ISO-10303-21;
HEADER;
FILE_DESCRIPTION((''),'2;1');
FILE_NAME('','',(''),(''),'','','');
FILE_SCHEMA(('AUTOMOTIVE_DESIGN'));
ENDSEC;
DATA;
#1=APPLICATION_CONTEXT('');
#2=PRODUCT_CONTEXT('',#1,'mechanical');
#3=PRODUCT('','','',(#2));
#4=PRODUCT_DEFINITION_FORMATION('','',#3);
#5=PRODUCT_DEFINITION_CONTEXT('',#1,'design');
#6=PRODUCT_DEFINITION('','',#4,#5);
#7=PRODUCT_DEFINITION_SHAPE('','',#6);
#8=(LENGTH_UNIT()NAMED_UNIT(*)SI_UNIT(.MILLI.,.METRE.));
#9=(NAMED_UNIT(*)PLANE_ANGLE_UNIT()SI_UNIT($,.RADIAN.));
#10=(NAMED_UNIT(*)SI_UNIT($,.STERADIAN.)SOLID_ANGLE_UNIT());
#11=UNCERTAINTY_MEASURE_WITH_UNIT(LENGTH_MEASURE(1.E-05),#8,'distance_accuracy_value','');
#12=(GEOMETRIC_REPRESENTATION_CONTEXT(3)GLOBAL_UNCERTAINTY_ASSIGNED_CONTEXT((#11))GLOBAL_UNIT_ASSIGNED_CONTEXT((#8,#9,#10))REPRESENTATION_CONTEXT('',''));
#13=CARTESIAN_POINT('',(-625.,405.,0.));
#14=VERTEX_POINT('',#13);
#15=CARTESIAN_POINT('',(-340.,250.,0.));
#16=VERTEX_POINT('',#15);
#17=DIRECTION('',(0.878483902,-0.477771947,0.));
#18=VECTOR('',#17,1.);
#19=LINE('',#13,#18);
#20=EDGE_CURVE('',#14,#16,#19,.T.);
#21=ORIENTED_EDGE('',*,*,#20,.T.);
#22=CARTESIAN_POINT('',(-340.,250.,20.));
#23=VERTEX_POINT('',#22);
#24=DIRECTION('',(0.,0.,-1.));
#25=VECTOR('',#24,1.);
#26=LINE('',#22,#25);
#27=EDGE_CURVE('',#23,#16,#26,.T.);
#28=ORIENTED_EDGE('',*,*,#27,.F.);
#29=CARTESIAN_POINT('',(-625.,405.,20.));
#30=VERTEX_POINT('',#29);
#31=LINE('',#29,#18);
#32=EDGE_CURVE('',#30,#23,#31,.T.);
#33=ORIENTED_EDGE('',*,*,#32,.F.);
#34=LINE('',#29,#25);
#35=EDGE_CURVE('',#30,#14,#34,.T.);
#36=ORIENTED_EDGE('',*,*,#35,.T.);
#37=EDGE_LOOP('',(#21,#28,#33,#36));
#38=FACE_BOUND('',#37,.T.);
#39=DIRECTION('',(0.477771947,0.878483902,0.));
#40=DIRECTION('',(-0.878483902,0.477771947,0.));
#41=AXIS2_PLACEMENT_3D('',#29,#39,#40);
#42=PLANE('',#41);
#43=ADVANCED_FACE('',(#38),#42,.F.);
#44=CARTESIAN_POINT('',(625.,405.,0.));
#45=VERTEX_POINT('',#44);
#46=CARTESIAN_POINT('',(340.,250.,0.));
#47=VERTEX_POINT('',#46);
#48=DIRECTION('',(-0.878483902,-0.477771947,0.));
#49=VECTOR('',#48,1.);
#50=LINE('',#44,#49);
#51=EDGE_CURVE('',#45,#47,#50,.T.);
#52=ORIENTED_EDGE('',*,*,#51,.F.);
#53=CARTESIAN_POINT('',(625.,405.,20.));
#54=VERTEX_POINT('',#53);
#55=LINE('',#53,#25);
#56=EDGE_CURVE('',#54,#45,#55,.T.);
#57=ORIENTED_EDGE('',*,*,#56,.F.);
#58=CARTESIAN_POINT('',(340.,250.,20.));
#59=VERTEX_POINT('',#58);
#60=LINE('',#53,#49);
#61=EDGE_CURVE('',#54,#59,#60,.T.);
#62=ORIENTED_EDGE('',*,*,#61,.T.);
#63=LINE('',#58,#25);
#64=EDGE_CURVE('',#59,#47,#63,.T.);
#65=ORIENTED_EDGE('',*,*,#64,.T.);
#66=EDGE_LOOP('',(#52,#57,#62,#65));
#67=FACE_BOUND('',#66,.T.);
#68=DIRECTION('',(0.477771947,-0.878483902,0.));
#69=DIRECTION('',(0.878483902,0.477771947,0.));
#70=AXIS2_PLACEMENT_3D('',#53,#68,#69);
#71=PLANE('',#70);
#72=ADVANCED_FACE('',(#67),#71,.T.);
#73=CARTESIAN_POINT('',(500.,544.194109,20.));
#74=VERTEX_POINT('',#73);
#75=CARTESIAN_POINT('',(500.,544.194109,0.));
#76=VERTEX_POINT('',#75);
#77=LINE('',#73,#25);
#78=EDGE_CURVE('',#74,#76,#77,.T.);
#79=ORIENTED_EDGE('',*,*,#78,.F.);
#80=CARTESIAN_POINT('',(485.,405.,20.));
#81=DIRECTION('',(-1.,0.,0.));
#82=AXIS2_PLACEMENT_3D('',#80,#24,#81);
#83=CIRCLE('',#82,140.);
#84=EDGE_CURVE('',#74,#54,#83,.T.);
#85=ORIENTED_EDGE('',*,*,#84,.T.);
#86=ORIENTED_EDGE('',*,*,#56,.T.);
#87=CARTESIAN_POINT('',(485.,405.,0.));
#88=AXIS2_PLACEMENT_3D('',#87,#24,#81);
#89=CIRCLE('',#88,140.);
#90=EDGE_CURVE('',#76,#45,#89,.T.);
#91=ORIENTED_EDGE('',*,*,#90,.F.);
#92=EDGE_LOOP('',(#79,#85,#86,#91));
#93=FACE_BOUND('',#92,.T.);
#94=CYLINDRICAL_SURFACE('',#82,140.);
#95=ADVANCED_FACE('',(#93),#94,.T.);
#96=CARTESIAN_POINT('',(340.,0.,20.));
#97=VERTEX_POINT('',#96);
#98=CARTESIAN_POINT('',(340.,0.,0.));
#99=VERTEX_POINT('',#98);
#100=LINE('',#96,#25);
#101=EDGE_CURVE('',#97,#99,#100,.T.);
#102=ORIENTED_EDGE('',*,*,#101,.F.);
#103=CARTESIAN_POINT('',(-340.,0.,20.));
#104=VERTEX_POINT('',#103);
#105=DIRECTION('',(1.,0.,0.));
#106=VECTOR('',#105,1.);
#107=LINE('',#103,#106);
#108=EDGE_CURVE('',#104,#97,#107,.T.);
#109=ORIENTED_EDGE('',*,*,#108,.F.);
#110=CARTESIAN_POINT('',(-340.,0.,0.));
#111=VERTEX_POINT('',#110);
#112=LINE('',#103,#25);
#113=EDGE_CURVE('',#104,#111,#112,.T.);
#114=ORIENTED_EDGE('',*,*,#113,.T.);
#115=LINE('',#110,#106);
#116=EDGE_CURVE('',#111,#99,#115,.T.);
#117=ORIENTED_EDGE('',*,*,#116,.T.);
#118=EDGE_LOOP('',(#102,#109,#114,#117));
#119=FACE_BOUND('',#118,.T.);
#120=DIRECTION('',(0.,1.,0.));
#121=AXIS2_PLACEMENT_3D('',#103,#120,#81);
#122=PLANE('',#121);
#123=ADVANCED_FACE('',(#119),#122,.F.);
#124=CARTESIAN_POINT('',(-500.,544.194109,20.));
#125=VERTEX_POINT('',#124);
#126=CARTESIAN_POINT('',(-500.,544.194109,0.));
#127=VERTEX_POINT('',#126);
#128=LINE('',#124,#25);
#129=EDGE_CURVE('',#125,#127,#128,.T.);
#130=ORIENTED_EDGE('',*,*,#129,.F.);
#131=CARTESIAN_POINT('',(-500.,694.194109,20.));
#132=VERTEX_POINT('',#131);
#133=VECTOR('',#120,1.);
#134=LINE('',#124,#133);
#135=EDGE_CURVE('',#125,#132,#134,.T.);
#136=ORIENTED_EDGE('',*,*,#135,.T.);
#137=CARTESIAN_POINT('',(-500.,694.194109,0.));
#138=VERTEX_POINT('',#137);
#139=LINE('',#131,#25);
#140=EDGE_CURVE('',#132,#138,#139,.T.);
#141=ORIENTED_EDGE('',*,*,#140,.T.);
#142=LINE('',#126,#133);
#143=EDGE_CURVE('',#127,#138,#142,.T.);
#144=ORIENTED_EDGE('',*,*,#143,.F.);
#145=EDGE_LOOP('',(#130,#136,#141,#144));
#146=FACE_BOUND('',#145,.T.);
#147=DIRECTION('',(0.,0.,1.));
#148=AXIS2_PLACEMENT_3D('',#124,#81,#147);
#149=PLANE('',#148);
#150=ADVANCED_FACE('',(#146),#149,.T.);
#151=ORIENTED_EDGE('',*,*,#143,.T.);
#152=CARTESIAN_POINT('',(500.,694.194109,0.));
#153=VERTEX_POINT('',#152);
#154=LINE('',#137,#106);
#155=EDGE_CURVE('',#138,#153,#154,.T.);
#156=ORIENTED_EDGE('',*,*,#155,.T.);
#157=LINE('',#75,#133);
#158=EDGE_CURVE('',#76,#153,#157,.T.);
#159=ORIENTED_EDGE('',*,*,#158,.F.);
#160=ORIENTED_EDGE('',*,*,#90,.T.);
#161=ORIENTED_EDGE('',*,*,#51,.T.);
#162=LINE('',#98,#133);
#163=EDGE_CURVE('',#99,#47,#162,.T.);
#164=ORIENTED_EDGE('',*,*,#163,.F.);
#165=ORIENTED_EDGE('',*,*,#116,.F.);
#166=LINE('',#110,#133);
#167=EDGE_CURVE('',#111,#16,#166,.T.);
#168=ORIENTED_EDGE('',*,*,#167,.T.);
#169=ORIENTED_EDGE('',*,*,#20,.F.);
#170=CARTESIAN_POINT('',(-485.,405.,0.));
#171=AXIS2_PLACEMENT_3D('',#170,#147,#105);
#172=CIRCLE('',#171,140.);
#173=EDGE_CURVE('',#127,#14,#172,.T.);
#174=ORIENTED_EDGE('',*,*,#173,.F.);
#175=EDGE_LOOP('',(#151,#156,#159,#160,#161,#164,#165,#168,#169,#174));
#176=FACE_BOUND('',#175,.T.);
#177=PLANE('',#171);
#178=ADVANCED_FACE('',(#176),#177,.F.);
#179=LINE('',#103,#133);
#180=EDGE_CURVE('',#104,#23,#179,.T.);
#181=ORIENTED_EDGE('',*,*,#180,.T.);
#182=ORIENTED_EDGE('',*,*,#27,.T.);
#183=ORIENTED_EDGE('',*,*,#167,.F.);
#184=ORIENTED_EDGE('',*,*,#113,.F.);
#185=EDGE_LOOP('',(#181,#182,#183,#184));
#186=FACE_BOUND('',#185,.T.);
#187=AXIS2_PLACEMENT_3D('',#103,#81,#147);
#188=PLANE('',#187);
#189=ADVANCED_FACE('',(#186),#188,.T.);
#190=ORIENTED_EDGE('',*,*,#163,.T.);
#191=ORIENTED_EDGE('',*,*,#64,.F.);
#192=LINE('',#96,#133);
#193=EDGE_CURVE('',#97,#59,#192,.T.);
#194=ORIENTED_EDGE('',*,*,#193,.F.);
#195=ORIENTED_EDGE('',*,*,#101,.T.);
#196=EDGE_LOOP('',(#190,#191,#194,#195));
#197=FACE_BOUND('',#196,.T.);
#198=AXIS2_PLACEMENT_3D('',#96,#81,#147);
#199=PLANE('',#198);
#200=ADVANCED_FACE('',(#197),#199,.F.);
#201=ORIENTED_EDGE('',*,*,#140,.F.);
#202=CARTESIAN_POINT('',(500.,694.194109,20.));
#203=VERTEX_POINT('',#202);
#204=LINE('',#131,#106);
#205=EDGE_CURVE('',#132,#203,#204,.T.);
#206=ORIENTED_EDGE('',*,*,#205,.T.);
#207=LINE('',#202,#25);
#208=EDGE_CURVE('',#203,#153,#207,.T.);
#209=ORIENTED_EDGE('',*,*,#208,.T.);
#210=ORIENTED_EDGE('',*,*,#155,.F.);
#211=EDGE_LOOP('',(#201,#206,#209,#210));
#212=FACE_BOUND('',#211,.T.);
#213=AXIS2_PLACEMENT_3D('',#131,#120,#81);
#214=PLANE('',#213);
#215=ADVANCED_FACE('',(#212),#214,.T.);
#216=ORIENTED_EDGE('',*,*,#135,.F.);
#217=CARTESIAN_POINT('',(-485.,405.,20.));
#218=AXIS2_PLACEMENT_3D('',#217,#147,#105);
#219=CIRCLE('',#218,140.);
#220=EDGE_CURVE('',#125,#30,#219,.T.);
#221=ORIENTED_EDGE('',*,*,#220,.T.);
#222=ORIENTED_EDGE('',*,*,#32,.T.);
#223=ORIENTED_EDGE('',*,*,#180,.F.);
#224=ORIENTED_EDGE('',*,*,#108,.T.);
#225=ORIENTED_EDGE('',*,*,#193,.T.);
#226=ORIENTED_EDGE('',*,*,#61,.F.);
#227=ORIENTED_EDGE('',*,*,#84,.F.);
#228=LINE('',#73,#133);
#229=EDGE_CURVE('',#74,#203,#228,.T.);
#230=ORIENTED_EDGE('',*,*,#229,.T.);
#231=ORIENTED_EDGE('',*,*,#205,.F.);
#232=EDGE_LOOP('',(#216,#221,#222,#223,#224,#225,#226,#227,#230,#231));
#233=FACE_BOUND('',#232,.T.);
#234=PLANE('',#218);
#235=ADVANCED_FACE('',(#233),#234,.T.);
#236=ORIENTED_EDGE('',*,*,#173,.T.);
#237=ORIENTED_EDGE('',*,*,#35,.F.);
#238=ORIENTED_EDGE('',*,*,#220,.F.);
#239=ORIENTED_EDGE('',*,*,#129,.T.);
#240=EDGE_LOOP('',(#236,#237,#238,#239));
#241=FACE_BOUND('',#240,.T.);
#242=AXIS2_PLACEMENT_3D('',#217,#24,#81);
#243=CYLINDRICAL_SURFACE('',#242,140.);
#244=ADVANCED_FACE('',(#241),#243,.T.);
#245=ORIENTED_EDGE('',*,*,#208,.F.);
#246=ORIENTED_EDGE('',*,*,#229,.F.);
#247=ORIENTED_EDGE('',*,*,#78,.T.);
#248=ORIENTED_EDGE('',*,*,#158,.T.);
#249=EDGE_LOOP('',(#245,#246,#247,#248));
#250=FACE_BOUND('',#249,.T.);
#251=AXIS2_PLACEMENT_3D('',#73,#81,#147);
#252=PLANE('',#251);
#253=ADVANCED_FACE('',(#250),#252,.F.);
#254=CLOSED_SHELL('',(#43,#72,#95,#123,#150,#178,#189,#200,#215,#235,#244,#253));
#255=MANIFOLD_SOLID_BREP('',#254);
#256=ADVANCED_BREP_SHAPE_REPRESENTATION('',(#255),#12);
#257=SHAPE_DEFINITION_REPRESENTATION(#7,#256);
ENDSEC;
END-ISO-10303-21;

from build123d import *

# Parameters (mm, degrees)
BOSS_EXTRUDE1_DEPTH = 20


with BuildPart() as part:
    # Sketch1 → Boss-Extrude1 (new body)
    with BuildSketch(Plane.XY):
        with BuildLine():
            Line((-625, 405), (-340, 250))
            Line((-340, 250), (-340, 0))
            Line((-340, 0), (340, 0))
            Line((340, 0), (340, 250))
            Line((340, 250), (625, 405))
            ThreePointArc((625, 405), (589.16333328, 498.541434669), (500, 544.194109071))
            Line((500, 544.194109071), (500, 694.194109071))
            Line((500, 694.194109071), (-500, 694.194109071))
            Line((-500, 694.194109071), (-500, 544.194109071))
            ThreePointArc((-500, 544.194109071), (-589.16333328, 498.541434669), (-625, 405))
        make_face()
    extrude(amount=BOSS_EXTRUDE1_DEPTH)


solid = part.part
